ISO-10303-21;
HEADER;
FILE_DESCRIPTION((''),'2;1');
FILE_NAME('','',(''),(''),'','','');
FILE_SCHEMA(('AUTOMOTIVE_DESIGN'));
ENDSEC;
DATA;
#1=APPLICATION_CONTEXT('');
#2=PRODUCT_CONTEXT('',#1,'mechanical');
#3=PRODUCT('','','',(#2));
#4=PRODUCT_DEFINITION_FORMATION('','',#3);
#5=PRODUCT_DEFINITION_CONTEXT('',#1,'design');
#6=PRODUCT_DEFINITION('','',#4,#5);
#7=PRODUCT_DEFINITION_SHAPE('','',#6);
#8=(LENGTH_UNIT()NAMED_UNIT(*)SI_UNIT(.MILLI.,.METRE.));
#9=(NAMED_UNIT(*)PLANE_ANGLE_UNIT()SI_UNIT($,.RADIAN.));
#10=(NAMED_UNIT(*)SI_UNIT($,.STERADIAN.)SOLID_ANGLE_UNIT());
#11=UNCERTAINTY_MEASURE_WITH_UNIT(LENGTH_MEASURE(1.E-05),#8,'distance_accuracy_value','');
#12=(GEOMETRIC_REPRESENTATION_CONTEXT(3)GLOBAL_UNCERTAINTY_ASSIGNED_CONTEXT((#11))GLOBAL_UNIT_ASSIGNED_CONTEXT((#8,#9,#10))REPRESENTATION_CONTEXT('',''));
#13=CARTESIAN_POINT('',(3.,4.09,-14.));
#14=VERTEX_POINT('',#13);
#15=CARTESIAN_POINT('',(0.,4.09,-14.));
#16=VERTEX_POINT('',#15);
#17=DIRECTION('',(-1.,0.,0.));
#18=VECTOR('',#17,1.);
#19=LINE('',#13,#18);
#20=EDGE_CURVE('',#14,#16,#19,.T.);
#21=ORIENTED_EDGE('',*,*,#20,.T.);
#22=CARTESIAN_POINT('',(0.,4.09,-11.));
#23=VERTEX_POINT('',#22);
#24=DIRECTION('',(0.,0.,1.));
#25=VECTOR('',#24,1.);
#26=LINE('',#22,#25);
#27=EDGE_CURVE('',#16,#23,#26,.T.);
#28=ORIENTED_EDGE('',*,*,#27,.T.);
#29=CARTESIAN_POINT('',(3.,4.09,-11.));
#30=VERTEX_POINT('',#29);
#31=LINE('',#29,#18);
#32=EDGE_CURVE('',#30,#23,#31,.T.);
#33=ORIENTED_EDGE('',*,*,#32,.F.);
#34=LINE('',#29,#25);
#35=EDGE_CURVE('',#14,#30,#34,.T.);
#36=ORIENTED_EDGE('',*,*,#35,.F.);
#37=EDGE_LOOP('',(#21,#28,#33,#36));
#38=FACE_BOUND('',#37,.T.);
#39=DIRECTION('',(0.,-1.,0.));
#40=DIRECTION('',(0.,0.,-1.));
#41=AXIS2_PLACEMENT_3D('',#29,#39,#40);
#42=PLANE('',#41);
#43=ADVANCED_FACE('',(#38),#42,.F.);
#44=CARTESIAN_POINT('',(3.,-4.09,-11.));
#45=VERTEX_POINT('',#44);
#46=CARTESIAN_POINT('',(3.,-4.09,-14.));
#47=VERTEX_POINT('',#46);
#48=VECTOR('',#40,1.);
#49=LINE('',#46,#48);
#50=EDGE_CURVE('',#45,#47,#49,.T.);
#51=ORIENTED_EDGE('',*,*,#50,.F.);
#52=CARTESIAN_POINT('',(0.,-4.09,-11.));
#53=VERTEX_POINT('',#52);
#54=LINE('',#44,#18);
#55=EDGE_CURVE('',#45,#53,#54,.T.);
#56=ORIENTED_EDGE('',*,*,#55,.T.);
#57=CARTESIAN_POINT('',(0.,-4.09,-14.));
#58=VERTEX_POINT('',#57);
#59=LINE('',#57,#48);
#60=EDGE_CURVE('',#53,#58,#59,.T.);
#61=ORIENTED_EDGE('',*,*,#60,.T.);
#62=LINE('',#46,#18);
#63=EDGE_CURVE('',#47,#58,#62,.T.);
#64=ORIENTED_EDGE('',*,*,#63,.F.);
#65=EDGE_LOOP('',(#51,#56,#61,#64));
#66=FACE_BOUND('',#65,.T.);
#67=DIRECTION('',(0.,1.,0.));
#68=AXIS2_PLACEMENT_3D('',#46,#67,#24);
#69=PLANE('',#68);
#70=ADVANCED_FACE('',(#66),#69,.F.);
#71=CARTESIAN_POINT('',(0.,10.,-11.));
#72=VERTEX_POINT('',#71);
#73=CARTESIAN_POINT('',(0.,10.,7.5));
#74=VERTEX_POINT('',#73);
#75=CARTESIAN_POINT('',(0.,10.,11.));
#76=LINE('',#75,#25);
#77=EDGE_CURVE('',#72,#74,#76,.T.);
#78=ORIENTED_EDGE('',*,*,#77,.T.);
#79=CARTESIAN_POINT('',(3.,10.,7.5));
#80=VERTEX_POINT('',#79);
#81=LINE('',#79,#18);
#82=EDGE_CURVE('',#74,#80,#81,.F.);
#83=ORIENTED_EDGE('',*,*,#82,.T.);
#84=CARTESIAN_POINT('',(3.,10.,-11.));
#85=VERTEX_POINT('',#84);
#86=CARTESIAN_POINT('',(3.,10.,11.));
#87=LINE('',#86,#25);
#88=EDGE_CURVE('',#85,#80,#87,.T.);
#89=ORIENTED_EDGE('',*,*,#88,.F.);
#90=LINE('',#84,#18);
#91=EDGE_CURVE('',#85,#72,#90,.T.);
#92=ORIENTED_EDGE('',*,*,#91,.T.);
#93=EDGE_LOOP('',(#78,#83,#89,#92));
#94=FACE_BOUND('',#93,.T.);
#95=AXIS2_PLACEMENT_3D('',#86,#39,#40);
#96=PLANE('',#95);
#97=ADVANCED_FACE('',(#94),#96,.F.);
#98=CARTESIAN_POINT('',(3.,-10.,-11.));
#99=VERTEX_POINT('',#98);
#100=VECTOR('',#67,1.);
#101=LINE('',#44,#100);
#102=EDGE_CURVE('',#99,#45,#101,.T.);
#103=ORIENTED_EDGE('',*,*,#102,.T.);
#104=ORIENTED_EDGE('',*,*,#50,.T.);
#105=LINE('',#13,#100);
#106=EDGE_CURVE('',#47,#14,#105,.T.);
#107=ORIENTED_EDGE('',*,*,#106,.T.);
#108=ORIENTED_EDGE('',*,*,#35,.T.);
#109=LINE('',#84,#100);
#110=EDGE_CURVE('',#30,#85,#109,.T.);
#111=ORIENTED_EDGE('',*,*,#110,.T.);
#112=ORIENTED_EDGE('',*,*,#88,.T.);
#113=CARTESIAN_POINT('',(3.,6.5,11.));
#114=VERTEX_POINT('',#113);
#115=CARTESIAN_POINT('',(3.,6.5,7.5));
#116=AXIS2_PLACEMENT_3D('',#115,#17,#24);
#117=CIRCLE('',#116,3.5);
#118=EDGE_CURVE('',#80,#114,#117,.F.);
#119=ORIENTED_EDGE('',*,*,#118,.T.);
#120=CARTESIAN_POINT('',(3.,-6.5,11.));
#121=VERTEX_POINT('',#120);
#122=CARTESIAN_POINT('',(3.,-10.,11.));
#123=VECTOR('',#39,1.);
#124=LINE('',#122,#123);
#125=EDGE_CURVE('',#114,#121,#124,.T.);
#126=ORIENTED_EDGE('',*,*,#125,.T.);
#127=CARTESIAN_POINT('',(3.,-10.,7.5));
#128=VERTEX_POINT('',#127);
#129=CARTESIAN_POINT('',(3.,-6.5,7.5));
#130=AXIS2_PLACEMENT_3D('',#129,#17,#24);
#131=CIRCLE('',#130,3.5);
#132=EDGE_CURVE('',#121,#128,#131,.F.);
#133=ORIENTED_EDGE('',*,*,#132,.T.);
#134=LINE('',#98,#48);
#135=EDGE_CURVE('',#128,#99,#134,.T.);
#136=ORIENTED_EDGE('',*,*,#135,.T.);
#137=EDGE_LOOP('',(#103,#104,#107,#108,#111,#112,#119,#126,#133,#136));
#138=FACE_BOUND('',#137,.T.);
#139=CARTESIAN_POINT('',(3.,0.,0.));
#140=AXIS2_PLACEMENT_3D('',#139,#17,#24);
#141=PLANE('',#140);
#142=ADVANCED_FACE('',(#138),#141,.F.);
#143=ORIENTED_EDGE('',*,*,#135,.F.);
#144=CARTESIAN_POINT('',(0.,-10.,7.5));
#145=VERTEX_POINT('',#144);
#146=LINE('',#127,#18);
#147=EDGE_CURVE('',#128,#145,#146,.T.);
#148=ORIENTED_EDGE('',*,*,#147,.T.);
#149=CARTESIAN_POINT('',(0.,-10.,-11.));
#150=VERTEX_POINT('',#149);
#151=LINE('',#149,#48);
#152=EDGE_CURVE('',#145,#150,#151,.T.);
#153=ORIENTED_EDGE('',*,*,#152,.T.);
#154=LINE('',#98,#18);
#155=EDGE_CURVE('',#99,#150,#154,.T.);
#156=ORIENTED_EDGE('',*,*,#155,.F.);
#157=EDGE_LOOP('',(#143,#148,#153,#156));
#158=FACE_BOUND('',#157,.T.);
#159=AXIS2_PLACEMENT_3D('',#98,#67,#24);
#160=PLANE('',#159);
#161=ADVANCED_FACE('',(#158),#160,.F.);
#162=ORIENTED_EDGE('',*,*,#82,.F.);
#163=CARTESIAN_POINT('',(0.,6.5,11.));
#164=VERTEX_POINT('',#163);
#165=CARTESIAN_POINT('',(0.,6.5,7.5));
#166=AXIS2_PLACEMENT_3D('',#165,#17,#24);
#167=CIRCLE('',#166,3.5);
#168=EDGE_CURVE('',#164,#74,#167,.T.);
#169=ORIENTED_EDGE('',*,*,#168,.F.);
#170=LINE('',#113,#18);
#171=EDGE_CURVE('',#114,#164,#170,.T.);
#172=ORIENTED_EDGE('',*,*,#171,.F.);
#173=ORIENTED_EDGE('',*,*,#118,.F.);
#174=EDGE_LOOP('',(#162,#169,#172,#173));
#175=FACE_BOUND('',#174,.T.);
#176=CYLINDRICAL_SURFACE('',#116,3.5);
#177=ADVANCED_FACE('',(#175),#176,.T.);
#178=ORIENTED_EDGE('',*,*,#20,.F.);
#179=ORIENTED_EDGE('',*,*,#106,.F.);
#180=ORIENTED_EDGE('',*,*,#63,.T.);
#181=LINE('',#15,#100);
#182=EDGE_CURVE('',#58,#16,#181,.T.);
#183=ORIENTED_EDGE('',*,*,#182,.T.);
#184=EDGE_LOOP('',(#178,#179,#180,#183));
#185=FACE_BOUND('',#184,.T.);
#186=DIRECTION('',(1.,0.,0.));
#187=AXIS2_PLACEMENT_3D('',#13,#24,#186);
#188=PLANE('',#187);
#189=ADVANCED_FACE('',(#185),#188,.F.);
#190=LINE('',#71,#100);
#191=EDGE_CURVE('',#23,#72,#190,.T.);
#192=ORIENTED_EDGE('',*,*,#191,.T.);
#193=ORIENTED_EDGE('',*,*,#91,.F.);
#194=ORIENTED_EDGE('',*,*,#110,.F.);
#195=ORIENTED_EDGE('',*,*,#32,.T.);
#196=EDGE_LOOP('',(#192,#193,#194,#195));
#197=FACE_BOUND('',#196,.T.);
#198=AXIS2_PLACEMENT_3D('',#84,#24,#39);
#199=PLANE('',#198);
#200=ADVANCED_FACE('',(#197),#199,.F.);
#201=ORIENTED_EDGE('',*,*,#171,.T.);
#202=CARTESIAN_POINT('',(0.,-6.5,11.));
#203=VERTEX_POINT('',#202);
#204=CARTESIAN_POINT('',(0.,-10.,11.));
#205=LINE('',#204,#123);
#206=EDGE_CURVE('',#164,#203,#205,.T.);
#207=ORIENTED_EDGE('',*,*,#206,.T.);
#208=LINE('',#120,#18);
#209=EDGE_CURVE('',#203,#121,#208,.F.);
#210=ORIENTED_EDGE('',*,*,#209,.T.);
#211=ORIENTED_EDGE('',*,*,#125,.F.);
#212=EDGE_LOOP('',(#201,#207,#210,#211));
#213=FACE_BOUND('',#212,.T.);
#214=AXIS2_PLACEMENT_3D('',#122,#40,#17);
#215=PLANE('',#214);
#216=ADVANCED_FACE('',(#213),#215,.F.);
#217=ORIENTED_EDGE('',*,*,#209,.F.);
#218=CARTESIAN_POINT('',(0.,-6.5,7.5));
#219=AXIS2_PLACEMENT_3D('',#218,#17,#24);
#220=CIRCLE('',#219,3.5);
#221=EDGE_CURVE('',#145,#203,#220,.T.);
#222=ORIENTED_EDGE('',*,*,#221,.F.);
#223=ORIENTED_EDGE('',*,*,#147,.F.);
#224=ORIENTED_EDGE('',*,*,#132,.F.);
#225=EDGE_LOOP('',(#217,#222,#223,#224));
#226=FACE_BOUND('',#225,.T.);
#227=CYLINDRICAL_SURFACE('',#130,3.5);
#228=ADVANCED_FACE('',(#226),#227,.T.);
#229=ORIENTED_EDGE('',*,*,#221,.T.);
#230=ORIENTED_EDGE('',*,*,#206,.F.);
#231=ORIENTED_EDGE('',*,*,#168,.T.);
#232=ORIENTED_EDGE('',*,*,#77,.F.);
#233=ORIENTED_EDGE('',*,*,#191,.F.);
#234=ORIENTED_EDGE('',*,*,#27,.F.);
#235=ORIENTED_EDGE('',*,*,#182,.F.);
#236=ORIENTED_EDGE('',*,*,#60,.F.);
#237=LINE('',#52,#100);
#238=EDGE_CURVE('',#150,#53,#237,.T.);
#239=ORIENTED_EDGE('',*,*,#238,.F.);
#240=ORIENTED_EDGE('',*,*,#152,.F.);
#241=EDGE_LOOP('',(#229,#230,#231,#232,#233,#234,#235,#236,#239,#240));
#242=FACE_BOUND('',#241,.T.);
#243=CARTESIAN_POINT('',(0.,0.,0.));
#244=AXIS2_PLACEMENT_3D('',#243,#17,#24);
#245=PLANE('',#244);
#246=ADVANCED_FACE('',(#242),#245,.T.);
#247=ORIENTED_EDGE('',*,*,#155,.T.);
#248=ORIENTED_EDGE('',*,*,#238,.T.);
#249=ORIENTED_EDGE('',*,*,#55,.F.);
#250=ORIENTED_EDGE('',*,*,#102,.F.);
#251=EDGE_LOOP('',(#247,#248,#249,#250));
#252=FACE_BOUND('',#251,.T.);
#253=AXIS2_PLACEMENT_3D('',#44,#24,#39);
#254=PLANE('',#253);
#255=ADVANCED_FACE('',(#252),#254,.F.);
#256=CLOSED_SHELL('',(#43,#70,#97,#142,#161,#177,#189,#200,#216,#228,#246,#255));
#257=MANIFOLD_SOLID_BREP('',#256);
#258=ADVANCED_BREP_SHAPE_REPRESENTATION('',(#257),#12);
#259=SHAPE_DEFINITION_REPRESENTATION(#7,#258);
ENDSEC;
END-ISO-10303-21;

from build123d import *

# Parameters (mm, degrees)
BOSS_EXTRUDE1_DEPTH = 3
FILLET1_R           = 3.5


with BuildPart() as part:
    # Sketch1 → Boss-Extrude1 (new body)
    with BuildSketch(Plane(origin=(0, 0, 0), x_dir=(0, 0, -1), z_dir=(1, 0, 0))):
        Polygon((-11, 10), (11, 10), (11, 4.09), (14, 4.09), (14, -4.09), (11, -4.09), (11, -10), (-11, -10), align=None)
    extrude(amount=BOSS_EXTRUDE1_DEPTH)

    # Fillet1
    fillet1_edges = [part.edges().sort_by_distance(p)[0] for p in [
        (1.5, 10, 11),
        (1.5, -10, 11),
    ]]
    fillet(fillet1_edges, radius=FILLET1_R)


solid = part.part
